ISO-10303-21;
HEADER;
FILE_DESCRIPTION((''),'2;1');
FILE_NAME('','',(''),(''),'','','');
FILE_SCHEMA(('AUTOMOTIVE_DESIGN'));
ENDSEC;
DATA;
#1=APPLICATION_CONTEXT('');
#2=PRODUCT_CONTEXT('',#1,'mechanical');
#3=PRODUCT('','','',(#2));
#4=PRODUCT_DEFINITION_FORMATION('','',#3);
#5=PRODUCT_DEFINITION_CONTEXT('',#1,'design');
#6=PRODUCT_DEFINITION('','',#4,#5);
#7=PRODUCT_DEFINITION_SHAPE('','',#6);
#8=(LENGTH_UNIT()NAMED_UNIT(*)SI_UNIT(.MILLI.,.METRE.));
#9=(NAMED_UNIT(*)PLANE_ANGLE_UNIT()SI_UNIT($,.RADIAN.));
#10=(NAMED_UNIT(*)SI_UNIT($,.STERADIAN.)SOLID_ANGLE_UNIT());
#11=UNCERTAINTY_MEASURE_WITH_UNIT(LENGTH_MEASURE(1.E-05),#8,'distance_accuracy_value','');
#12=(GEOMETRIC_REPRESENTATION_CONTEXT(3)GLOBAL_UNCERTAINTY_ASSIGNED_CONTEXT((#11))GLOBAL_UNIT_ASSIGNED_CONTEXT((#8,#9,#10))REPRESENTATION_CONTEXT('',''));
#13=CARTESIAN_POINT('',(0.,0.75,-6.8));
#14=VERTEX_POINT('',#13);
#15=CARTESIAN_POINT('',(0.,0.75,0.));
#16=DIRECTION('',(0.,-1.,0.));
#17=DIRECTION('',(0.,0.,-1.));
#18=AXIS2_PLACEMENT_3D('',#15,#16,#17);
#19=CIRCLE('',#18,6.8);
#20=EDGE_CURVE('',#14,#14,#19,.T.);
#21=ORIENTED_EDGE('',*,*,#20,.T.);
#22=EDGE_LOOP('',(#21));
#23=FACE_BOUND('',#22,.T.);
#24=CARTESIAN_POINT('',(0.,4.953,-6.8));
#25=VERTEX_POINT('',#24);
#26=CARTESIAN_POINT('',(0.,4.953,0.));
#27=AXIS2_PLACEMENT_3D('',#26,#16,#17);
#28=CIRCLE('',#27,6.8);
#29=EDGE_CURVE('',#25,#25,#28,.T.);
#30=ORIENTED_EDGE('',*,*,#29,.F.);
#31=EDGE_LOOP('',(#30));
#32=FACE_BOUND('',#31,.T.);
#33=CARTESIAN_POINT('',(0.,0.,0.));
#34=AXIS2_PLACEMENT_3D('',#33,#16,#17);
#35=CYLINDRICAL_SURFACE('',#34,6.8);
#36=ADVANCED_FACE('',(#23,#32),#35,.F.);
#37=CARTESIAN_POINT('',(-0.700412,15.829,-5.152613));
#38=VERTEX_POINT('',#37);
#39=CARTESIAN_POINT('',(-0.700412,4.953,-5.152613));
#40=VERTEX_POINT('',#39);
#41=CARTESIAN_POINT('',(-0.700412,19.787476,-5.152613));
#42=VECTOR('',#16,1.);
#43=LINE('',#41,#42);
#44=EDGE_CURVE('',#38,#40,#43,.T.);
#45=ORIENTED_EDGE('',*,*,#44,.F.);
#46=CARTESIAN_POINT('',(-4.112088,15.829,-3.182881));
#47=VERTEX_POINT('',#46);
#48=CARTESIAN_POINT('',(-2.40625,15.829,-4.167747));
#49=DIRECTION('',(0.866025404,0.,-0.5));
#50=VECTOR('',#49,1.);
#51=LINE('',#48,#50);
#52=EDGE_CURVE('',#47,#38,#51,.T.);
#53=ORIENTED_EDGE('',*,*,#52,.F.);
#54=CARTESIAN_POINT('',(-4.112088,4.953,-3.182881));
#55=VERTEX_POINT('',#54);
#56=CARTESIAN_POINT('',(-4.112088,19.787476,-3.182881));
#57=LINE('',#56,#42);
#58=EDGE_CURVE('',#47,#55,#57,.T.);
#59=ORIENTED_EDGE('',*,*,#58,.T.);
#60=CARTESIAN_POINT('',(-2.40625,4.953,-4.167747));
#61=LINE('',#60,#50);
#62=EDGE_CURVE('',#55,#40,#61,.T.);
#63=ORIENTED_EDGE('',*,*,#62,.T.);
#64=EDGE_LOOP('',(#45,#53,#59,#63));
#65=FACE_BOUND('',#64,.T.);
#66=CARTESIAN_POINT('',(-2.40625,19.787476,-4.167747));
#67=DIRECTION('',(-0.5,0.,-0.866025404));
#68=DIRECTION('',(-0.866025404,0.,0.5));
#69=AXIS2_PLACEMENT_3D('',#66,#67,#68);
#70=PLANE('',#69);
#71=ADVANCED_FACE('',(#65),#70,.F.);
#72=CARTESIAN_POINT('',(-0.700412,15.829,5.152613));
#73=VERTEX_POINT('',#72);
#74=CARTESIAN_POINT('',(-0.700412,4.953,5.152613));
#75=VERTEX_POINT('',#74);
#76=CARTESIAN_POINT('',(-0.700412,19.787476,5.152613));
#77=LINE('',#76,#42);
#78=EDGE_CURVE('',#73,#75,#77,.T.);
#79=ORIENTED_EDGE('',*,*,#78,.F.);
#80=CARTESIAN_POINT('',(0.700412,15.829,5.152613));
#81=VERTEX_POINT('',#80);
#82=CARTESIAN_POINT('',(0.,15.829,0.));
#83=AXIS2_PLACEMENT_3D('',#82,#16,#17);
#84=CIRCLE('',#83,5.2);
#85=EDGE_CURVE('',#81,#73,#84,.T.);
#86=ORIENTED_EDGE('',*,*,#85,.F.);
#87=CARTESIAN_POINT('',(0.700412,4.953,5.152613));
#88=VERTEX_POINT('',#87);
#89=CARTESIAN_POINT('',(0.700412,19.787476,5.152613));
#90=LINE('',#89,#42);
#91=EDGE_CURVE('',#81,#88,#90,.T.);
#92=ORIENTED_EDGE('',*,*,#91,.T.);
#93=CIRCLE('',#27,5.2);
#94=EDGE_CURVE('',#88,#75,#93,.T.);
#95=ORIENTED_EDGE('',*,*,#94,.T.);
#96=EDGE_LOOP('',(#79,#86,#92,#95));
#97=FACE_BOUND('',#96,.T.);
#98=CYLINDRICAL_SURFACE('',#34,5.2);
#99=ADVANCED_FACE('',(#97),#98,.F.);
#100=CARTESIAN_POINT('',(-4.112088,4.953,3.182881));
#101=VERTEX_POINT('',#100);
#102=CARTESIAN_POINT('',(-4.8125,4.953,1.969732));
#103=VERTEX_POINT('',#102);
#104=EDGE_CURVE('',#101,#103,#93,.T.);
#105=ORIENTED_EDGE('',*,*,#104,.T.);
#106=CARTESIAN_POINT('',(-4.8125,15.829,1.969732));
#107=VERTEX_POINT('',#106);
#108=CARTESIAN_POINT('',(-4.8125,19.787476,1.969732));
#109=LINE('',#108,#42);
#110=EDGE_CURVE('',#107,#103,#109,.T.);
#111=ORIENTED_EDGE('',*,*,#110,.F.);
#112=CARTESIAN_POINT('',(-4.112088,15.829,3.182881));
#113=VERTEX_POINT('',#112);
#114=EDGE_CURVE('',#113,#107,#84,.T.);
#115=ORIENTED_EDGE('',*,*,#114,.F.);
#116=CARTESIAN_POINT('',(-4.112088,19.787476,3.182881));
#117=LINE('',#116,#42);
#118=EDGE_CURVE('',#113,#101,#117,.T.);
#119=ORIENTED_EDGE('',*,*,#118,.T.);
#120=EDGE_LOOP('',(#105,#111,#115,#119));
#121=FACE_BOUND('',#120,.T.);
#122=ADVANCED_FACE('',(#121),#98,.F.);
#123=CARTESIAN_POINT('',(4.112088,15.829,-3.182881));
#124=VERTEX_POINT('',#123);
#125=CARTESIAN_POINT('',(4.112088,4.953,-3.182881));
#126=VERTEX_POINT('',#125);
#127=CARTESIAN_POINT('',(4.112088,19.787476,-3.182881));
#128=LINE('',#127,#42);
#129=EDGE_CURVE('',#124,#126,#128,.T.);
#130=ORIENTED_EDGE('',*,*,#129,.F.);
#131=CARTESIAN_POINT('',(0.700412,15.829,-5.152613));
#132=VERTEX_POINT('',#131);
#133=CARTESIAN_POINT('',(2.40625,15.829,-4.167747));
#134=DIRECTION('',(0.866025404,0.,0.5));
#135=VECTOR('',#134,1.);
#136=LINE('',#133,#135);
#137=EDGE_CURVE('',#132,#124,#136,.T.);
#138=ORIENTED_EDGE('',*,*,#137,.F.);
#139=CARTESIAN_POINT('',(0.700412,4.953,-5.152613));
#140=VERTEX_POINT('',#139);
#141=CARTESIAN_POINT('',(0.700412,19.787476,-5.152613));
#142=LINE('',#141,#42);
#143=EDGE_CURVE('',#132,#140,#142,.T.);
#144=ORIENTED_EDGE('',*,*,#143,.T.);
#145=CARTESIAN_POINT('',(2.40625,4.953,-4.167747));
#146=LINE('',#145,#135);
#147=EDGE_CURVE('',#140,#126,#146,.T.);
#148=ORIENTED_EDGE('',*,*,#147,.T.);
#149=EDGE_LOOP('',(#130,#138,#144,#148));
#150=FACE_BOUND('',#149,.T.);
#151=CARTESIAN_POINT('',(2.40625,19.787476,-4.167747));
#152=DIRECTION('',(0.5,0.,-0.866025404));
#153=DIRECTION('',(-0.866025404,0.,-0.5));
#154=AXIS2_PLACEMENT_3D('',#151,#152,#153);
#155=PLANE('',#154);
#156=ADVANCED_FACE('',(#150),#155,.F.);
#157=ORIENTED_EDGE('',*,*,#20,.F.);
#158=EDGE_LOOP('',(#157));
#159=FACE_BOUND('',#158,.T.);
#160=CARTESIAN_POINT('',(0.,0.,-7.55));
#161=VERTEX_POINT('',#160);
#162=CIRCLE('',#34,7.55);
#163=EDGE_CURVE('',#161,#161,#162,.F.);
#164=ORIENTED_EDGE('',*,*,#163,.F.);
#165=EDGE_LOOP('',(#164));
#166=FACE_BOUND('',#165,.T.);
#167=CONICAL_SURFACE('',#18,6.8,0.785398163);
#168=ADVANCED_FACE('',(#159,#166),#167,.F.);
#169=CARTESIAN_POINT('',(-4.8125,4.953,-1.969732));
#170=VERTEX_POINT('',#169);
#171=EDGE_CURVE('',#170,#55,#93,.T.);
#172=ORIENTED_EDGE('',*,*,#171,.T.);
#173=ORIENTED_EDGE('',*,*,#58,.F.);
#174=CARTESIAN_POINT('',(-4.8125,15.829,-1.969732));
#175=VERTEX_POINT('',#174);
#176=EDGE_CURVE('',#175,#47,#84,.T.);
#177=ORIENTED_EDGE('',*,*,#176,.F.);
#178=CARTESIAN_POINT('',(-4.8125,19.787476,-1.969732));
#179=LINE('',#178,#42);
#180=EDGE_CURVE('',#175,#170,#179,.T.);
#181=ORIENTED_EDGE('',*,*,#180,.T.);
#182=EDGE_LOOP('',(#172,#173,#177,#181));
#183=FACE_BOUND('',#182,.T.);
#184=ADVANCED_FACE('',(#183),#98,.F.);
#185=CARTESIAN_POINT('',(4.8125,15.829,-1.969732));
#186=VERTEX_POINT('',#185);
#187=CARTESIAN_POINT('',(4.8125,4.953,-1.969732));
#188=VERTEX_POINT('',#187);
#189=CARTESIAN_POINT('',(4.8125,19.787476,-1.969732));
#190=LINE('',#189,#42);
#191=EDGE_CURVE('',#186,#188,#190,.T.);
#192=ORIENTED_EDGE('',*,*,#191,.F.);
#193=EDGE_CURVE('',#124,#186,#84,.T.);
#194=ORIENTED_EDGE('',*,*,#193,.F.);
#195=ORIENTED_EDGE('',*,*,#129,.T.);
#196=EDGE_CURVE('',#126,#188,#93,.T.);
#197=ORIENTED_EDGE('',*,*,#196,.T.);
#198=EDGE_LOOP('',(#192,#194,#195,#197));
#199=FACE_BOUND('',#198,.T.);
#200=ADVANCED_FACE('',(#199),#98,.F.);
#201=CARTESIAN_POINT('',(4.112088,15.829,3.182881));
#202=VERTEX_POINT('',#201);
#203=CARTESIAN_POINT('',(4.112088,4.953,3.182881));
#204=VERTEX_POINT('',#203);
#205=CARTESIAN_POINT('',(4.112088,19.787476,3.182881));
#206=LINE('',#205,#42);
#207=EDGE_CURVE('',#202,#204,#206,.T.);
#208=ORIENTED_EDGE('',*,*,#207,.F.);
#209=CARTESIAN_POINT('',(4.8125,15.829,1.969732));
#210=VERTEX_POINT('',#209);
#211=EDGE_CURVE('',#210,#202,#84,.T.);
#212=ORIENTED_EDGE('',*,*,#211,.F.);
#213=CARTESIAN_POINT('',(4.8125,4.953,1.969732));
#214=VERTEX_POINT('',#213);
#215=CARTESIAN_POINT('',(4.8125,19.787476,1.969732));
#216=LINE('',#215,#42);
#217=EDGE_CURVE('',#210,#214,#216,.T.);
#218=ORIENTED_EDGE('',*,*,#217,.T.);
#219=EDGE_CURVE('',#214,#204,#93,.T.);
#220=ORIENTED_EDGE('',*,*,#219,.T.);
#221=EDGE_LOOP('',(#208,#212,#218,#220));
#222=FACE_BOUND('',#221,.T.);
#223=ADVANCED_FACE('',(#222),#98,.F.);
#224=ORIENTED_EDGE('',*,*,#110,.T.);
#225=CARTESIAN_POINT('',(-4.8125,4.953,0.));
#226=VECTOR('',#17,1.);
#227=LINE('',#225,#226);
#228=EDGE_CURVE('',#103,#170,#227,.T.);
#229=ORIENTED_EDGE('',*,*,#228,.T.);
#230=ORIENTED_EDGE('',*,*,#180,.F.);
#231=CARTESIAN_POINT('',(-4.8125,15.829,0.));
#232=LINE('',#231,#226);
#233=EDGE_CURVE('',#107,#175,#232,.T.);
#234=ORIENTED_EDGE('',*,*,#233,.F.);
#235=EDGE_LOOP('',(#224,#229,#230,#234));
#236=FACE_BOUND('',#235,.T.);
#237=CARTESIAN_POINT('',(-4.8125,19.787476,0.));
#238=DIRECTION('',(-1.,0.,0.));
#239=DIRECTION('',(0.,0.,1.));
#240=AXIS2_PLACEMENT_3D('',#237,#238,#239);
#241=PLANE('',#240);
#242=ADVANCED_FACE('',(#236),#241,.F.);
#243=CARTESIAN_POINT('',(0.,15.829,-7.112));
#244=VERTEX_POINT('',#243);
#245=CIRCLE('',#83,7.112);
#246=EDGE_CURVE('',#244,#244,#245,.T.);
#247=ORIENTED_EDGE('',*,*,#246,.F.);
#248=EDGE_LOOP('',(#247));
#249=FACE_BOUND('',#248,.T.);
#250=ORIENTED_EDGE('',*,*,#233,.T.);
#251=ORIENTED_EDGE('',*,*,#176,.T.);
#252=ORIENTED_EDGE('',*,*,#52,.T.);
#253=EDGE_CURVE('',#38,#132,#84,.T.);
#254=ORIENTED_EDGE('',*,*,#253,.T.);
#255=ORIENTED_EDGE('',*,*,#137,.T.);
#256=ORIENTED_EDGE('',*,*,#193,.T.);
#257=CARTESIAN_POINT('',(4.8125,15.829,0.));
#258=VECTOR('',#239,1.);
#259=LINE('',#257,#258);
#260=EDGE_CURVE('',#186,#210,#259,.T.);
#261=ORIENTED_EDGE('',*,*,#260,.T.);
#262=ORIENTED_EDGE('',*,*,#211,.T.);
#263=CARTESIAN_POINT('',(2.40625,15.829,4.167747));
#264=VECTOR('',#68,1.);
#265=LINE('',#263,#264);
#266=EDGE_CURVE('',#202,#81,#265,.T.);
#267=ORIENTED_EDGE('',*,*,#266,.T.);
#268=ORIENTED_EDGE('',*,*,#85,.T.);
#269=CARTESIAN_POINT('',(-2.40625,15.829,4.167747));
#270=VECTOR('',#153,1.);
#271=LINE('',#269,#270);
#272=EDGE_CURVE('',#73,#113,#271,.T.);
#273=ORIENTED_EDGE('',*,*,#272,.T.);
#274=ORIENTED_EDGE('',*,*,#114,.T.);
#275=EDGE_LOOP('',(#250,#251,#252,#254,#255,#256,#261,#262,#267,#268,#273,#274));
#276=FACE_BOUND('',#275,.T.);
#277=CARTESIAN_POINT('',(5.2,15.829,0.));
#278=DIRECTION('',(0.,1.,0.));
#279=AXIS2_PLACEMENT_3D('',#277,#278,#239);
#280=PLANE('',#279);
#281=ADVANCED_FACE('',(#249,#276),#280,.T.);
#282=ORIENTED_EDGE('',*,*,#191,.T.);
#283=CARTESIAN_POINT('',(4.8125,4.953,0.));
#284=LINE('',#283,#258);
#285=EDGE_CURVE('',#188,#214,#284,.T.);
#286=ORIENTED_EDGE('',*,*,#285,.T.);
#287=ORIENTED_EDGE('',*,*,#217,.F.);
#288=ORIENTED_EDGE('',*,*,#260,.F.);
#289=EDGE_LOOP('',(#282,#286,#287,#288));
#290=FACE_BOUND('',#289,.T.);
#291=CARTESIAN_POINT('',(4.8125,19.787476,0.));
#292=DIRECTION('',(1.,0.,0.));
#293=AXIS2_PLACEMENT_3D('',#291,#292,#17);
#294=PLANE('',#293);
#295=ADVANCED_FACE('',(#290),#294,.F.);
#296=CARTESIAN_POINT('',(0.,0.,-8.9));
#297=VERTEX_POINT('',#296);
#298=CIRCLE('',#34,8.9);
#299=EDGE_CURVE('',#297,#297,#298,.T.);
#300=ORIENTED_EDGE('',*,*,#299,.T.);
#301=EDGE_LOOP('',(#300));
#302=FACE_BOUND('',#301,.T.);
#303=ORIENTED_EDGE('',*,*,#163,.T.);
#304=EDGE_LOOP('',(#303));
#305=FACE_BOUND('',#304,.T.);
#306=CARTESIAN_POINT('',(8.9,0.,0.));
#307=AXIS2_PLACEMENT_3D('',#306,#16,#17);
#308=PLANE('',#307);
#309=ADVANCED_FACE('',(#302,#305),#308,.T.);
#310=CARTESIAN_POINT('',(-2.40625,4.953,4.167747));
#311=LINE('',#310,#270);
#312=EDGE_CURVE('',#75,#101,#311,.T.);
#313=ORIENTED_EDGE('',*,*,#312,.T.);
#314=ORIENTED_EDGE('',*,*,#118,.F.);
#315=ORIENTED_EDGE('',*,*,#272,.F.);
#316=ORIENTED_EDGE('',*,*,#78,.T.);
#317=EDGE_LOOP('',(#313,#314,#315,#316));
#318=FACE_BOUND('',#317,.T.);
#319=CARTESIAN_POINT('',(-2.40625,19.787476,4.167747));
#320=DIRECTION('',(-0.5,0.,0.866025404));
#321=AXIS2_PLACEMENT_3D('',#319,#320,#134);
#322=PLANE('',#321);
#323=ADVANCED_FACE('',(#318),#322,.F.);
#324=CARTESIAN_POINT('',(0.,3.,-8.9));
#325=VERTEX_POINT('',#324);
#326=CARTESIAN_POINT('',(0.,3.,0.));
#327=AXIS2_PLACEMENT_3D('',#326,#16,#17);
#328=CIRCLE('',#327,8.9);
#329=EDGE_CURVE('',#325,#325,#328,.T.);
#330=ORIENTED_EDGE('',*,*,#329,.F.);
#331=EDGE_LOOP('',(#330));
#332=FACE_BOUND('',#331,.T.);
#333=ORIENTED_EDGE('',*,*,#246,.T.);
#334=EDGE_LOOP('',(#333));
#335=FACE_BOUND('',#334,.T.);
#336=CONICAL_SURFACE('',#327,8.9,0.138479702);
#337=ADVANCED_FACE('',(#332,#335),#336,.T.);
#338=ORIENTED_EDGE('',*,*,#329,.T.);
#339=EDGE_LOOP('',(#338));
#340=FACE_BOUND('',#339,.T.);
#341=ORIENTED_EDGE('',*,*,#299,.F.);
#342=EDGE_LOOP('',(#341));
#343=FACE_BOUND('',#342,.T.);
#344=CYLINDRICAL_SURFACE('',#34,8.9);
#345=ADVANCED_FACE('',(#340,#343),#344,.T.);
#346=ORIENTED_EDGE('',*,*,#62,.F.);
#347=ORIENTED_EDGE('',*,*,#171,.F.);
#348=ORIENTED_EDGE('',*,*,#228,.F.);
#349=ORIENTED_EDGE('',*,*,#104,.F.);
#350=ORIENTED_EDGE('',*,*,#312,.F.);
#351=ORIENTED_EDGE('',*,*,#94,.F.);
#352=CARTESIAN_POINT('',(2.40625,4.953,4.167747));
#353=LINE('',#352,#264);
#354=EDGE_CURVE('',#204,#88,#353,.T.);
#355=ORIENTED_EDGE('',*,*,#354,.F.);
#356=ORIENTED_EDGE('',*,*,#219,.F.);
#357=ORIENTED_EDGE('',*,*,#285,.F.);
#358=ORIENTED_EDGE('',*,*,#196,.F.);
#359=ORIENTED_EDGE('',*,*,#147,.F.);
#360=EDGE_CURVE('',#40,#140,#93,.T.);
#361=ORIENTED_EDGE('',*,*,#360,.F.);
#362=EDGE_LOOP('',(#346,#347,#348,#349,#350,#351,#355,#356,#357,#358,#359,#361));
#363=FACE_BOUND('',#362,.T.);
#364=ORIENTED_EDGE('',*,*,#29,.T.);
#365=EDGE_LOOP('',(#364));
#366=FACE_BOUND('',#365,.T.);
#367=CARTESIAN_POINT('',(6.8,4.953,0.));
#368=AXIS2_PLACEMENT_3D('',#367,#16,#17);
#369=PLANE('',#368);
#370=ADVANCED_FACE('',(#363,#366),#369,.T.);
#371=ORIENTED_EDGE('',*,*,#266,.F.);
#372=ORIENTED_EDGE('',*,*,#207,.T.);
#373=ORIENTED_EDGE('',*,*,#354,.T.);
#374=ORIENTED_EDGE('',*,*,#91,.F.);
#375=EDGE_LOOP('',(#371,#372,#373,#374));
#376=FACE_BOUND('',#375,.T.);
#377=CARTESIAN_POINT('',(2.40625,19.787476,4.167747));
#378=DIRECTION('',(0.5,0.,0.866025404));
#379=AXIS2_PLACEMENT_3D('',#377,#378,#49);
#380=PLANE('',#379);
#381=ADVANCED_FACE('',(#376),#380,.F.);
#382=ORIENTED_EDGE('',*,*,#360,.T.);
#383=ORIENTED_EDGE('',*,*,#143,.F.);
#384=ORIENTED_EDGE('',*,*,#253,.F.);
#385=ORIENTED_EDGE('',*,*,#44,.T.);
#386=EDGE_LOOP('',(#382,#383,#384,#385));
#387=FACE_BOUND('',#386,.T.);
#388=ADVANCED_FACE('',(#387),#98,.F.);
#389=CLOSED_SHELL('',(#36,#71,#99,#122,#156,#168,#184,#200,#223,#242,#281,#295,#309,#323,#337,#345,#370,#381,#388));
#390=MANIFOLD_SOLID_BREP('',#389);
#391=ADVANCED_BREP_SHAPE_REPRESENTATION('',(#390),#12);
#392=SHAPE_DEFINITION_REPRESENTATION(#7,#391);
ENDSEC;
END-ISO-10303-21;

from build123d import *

# Parameters (mm, degrees)
BOSS_EXTRUDE1_START = -10.876
BOSS_EXTRUDE1_DEPTH = 10.876
CHAMFER1_SIZE       = 0.75


with BuildPart() as part:
    # Sketch1 → Revolve1 (revolve)
    with BuildSketch(Plane.XY, mode=Mode.PRIVATE) as revolve1_sk:
        Polygon((6.8, 0), (6.8, 4.953), (5.2, 4.953), (5.2, 15.829), (7.112, 15.829), (8.9, 3), (8.9, 0), align=None)
    revolve(revolve1_sk.sketch.rotate(Axis((0, 0, 0), (0, 1, 0)), 90), axis=Axis((0, 0, 0), (0, 1, 0)))

    # Sketch4 → Boss-Extrude1 (add)
    with BuildSketch(Plane.XZ.offset(-4.953).offset(BOSS_EXTRUDE1_START)):
        with BuildLine():
            Line((0.700412138, 5.152613205), (4.112087862, 3.182881307))
            ThreePointArc((4.112087862, 3.182881307), (2.6, 4.5033321), (0.700412138, 5.152613205))
        make_face()
        with BuildLine():
            ThreePointArc((4.8125, -1.969731898), (5.2, 0), (4.8125, 1.969731898))
            Line((4.8125, 1.969731898), (4.8125, -1.969731898))
        make_face()
        with BuildLine():
            Line((-4.112087862, 3.182881307), (-0.700412138, 5.152613205))
            ThreePointArc((-0.700412138, 5.152613205), (-2.6, 4.5033321), (-4.112087862, 3.182881307))
        make_face()
        with BuildLine():
            ThreePointArc((0.700412138, -5.152613205), (2.6, -4.5033321), (4.112087862, -3.182881307))
            Line((4.112087862, -3.182881307), (0.700412138, -5.152613205))
        make_face()
        with BuildLine():
            Line((-4.8125, -1.969731898), (-4.8125, 1.969731898))
            ThreePointArc((-4.8125, 1.969731898), (-5.2, 0), (-4.8125, -1.969731898))
        make_face()
        with BuildLine():
            ThreePointArc((-4.112087862, -3.182881307), (-2.6, -4.5033321), (-0.700412138, -5.152613205))
            Line((-0.700412138, -5.152613205), (-4.112087862, -3.182881307))
        make_face()
    extrude(amount=BOSS_EXTRUDE1_DEPTH)

    # Chamfer1
    chamfer1_edges = [part.edges().sort_by_distance(p)[0] for p in [
        (0, 0, 6.8),
    ]]
    chamfer(chamfer1_edges, length=CHAMFER1_SIZE)


solid = part.part
